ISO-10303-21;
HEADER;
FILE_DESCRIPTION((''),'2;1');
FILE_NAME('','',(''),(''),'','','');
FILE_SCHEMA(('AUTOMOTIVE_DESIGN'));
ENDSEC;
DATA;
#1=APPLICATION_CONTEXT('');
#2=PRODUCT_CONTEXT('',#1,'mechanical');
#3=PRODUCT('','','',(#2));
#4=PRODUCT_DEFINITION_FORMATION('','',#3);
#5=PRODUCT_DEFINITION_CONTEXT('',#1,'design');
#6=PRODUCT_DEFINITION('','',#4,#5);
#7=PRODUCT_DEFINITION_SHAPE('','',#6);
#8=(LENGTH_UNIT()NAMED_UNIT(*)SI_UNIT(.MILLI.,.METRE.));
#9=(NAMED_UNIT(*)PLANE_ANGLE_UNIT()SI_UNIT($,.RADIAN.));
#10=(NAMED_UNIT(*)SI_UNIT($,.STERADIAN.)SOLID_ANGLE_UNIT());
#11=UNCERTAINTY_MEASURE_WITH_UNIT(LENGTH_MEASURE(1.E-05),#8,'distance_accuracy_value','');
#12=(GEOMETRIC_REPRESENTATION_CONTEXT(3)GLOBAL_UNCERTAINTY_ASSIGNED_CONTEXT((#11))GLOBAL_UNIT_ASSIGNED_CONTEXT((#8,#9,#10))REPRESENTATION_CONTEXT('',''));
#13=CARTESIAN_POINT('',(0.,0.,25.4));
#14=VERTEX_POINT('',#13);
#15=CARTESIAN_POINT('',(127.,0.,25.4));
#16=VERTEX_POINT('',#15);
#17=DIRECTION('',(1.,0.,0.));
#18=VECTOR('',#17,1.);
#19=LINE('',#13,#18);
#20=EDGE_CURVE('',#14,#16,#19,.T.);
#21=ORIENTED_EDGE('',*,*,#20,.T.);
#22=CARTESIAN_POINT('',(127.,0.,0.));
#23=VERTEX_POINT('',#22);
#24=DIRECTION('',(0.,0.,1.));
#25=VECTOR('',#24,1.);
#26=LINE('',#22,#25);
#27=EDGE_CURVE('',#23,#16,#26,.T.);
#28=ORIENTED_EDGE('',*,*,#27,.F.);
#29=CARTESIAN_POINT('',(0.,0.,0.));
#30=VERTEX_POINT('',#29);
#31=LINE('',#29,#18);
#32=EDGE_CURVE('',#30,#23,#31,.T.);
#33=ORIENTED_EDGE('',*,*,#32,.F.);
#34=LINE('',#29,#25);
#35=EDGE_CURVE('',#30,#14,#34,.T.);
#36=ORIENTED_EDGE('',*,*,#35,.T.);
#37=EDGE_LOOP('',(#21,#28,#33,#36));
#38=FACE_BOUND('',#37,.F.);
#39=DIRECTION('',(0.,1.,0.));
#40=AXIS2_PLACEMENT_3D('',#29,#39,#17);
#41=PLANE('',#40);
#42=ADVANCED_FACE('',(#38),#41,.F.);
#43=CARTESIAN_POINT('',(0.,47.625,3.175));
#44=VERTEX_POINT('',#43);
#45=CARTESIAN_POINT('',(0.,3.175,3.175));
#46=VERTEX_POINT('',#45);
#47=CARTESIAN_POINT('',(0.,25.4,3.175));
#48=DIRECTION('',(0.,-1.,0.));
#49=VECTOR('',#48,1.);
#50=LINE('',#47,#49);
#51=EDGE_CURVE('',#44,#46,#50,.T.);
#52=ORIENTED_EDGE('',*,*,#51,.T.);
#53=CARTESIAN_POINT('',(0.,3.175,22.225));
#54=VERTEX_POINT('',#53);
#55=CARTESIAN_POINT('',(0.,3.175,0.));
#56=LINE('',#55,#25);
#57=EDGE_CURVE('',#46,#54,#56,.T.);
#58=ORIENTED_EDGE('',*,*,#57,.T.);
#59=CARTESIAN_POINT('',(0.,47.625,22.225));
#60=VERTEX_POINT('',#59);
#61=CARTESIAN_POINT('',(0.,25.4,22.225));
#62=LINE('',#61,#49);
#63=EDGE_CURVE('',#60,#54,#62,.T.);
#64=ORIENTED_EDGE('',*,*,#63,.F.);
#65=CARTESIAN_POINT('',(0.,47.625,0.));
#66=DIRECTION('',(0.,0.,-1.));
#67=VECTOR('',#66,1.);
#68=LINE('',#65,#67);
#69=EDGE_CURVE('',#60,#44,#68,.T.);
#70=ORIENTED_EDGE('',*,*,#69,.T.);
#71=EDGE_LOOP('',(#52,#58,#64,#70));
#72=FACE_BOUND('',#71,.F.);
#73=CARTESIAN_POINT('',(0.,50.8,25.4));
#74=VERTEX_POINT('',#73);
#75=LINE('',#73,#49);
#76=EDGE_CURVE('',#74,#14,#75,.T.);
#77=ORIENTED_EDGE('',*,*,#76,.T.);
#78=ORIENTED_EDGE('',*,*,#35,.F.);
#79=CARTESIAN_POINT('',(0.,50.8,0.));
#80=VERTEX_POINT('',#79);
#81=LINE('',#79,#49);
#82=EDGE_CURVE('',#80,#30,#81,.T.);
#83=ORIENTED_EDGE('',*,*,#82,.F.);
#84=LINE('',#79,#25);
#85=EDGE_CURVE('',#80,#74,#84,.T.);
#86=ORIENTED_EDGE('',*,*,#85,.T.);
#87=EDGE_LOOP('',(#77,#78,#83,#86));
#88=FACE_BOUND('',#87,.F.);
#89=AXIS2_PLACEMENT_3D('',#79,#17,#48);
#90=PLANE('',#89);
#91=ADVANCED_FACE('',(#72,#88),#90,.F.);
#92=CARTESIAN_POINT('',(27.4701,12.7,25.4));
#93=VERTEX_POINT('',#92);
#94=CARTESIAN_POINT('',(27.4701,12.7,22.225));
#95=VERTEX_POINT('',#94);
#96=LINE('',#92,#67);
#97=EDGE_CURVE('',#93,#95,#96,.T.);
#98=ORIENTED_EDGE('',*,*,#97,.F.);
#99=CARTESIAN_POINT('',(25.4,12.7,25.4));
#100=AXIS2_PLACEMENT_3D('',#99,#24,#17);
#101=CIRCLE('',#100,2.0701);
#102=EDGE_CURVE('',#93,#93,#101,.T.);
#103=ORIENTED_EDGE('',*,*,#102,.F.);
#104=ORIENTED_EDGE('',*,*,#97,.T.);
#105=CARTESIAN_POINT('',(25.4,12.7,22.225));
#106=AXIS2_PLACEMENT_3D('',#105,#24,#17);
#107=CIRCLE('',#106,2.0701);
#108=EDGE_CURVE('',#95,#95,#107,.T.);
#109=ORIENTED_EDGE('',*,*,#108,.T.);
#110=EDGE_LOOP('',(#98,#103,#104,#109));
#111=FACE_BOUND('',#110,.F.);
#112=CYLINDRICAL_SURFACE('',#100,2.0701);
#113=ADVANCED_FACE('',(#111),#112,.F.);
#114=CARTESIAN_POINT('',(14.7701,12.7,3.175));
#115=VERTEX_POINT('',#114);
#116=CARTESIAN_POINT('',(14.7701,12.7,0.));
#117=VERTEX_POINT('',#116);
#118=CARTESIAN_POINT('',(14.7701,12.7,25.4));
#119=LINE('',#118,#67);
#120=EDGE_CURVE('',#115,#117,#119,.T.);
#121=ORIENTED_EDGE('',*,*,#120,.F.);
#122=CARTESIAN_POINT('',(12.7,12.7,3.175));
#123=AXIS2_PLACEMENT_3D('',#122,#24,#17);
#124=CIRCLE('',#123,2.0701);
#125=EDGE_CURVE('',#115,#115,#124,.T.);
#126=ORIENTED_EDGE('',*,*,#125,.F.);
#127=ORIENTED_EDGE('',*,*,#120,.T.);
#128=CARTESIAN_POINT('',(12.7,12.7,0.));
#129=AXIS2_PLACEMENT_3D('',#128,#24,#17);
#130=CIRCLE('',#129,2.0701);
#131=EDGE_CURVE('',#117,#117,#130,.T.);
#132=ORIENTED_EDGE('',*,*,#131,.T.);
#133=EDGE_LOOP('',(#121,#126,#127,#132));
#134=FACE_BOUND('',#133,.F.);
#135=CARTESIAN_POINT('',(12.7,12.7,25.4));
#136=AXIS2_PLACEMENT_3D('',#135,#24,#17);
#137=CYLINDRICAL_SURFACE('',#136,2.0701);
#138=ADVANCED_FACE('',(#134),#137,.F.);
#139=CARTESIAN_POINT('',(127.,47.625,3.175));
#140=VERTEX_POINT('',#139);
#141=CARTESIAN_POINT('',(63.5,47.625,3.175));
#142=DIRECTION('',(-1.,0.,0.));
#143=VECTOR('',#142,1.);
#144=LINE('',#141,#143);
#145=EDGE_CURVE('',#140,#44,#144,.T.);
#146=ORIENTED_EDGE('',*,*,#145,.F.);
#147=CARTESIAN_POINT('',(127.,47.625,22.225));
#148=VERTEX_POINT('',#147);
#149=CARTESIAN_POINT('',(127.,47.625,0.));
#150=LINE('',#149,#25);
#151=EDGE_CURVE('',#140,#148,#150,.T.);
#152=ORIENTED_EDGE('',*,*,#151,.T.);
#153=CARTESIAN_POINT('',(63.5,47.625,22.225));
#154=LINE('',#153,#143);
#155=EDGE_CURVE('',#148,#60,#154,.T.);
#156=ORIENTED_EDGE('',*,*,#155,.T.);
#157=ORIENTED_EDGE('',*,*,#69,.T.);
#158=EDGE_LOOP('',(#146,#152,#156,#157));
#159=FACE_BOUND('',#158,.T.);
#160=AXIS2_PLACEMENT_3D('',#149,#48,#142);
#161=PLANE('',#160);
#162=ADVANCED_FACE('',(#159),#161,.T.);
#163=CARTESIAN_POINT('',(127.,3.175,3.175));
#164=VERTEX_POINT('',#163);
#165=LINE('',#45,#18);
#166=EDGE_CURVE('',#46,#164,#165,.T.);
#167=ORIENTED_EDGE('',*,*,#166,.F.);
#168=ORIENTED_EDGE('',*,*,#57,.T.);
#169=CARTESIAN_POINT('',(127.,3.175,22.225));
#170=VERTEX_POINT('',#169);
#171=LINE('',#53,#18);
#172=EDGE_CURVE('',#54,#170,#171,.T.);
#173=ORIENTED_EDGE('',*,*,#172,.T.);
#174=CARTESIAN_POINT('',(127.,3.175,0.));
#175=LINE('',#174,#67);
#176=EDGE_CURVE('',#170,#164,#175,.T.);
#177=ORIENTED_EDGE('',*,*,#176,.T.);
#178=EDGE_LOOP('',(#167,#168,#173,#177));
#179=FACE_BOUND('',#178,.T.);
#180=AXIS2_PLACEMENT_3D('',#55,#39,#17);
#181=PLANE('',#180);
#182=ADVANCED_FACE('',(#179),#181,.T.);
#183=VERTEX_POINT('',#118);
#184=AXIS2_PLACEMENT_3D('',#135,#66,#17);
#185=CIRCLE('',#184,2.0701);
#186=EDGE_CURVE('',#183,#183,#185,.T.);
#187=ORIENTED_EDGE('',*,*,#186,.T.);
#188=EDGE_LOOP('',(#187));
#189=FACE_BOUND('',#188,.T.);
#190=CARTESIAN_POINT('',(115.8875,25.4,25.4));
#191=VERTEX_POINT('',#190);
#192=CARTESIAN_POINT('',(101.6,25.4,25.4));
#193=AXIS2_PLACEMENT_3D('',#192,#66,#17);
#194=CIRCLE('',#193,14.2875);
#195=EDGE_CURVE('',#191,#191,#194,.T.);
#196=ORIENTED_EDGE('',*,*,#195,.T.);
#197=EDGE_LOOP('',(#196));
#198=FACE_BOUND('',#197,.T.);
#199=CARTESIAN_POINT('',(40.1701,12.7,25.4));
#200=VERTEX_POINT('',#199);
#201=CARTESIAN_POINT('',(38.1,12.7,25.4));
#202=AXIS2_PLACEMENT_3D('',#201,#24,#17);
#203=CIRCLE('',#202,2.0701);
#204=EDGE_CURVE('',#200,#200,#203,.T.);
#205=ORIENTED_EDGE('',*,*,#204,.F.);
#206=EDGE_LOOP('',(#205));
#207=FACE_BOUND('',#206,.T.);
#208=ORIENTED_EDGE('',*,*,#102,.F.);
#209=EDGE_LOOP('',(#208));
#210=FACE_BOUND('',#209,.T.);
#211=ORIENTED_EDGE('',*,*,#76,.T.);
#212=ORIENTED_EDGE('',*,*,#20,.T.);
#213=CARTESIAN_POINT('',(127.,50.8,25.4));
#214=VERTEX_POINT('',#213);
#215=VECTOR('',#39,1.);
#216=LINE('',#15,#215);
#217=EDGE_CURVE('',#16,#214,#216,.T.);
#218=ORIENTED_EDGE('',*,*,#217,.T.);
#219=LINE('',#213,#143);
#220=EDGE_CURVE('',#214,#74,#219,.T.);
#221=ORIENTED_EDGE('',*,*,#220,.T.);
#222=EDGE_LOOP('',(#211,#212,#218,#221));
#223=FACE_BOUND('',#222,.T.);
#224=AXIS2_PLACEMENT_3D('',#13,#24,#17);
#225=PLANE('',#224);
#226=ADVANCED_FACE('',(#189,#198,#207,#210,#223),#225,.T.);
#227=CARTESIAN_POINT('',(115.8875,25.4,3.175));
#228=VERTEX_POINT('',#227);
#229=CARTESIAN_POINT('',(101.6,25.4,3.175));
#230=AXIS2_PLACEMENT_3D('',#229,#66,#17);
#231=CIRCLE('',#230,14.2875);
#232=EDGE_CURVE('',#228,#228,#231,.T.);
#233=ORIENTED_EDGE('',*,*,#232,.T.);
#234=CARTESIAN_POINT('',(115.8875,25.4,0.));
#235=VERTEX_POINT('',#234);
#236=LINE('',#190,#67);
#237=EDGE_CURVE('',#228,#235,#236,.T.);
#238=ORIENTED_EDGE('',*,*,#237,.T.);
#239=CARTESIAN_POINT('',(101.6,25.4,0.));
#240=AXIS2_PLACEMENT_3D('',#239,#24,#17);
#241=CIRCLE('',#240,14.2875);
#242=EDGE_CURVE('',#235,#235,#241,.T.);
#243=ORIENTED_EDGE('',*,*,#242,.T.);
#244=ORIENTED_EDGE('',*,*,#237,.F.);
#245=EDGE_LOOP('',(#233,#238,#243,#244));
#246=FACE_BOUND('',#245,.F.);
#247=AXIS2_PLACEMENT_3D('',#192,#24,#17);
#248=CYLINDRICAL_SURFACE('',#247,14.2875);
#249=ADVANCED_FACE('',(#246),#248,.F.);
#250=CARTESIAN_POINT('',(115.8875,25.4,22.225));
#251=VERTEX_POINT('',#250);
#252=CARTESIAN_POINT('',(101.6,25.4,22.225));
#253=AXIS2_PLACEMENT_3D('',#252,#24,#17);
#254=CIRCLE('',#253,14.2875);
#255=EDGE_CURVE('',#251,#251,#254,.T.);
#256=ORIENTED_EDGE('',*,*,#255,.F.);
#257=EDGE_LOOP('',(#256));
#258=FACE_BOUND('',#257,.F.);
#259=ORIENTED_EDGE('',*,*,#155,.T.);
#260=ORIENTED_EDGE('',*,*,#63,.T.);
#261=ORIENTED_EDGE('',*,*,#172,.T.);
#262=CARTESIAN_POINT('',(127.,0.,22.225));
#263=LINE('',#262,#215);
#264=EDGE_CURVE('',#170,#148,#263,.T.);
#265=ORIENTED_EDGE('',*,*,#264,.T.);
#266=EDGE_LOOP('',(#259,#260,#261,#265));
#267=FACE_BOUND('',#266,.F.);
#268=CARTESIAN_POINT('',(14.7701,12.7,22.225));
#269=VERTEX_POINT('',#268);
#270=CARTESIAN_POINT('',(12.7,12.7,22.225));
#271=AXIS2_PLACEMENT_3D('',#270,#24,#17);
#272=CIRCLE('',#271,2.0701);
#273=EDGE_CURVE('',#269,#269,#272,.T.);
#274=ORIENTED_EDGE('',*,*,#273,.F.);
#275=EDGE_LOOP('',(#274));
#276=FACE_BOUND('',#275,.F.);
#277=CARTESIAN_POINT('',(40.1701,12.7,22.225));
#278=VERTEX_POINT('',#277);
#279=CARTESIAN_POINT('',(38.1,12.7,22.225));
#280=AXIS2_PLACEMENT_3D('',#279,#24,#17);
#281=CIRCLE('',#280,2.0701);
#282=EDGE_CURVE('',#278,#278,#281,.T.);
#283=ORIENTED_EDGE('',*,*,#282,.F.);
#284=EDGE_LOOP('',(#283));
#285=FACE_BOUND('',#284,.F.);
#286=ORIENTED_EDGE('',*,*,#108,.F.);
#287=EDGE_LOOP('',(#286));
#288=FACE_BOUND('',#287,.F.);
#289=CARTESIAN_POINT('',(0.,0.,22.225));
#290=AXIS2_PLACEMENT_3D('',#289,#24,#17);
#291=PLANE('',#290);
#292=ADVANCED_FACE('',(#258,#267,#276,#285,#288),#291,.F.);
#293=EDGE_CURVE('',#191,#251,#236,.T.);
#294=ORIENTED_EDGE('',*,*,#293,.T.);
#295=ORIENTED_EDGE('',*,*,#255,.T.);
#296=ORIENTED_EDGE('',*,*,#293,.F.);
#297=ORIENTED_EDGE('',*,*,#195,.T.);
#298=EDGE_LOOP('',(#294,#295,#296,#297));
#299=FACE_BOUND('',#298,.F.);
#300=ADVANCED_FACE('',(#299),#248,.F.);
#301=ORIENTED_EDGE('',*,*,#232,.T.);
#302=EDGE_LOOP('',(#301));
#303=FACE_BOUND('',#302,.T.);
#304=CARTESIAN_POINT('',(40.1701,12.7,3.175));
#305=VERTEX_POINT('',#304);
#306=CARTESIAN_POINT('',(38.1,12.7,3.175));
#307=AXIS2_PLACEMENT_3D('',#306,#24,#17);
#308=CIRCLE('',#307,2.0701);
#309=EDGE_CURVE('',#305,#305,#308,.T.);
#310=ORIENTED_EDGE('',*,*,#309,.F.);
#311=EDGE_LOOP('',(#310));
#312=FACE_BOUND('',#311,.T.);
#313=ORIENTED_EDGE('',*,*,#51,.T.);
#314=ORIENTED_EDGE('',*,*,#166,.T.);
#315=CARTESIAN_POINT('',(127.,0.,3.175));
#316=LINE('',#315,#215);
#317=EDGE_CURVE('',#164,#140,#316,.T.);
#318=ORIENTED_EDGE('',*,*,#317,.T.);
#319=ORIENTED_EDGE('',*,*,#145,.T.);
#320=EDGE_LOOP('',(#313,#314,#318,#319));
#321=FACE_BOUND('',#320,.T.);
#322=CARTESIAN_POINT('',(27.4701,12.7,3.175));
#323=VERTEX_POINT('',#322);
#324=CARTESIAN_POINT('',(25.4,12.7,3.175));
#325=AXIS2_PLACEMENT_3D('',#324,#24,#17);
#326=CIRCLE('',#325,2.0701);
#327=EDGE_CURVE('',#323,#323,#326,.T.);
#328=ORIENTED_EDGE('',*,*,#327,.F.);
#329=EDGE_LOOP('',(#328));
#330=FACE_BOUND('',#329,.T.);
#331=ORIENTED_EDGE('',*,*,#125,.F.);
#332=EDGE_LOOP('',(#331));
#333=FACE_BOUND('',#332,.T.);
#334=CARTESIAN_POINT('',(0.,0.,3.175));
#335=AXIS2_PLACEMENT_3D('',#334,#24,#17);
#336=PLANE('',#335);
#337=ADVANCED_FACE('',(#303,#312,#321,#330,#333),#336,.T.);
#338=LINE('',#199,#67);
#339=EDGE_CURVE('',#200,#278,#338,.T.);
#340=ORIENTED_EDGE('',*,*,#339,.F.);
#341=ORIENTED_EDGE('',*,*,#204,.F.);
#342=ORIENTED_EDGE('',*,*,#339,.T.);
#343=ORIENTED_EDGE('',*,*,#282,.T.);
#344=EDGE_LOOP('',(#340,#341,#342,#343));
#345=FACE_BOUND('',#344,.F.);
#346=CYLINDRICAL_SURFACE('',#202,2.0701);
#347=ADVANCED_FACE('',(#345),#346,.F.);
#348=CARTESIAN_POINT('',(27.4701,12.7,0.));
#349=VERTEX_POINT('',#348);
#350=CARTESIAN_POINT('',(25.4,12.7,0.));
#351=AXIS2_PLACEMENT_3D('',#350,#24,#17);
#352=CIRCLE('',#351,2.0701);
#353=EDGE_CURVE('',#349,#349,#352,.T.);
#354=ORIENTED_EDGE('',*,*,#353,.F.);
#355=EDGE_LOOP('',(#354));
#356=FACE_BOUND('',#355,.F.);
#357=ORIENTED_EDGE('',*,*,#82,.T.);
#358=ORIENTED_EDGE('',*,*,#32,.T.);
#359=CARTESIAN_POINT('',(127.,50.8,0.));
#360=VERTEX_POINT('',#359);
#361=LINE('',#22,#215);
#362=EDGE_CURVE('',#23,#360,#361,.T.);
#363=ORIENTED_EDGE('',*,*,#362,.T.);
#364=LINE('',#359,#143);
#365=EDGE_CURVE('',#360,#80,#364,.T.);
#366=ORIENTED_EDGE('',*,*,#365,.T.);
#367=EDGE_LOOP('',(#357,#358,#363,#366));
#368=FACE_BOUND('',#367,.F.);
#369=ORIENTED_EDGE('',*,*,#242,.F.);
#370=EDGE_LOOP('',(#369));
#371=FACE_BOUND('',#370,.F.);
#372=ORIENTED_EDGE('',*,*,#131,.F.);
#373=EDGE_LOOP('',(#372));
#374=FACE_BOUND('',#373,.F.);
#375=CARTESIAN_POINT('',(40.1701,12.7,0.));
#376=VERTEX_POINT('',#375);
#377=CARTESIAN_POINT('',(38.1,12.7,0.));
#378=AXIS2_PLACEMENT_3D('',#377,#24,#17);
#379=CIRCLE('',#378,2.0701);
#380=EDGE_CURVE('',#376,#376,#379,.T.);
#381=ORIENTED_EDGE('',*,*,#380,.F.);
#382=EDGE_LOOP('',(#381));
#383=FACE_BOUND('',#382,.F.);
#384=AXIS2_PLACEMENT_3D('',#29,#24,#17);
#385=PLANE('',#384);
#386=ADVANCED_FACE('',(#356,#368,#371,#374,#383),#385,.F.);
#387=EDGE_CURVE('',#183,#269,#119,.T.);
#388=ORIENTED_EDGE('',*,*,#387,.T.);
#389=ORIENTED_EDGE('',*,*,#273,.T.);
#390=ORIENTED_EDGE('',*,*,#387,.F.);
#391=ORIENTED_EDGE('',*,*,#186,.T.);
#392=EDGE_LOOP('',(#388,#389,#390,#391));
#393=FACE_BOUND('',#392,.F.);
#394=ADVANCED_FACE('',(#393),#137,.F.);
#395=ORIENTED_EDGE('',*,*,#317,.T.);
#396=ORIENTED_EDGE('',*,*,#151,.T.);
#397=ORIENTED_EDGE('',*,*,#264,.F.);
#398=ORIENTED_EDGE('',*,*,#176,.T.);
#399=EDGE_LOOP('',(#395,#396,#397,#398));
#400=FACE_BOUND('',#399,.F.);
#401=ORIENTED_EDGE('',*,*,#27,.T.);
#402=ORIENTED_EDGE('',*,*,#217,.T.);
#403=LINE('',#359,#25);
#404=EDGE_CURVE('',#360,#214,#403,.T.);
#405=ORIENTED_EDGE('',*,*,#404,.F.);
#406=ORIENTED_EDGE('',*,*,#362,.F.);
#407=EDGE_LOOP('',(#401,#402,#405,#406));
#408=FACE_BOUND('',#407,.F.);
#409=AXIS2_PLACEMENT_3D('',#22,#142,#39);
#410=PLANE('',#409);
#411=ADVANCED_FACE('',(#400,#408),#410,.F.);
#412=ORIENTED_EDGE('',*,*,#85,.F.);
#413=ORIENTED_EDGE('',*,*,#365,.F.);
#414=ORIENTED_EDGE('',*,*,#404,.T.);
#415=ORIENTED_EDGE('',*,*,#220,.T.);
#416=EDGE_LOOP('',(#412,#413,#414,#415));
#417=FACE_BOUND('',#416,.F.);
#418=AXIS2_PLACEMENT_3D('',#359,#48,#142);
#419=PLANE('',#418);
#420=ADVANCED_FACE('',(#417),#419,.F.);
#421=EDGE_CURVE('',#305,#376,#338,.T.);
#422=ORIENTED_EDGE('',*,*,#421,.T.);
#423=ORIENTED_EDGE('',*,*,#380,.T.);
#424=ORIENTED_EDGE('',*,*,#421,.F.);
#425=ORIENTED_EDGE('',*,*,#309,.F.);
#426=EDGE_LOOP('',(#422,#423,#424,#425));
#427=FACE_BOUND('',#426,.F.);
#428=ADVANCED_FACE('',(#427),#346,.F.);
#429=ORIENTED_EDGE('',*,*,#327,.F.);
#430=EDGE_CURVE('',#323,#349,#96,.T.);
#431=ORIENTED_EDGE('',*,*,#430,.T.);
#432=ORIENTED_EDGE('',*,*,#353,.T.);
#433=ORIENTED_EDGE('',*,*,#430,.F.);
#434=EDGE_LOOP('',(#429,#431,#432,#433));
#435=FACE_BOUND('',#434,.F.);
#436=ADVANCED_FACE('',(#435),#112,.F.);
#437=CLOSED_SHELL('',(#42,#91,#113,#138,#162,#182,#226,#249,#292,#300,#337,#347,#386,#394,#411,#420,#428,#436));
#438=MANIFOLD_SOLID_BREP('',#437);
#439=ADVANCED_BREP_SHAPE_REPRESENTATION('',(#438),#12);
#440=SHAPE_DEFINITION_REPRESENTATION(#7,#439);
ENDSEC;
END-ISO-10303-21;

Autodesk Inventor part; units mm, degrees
ref_plane "YZ Plane" through (0, 0, 0) normal (1, 0, 0) x (0, 1, 0)
ref_plane "XZ Plane" through (0, 0, 0) normal (0, 1, 0) x (-1, 0, 0)
ref_plane "XY Plane" through (0, 0, 0) normal (0, 0, 1) x (1, 0, 0)
sketch "Sketch1" plane through (0, 0, 0) normal (0, 0, 1) x (1, 0, 0)
  line L0 (0, 0) -> (127, 0)
  line L1 (127, 0) -> (127, 50.8)
  line L2 (127, 50.8) -> (0, 50.8)
  line L3 (0, 50.8) -> (0, 0)
  dimension "d0" = 50.8
  dimension "d1" = 127
extrude "Extrusion1" add sketch "Sketch1" along normal blind 25.4
shell "Shell1" thickness 3.175 removed faces 2 at (0, 33.8667, 16.9333) at (127, 16.9333, 8.4667)
sketch "Sketch2" plane through (0, 0, 25.4) normal (0, 0, 1) x (1, 0, 0)
  line L0 (0, 3.175) -> (0, 47.625) projected
  line L1 (0, 25.4) -> (101.6, 25.4)
  circle A0 centre (101.6, 25.4) radius 14.2875
  line L2 (127, 0) -> (127, 50.8) projected
  point P0 (0, 0)
  dimension "d5" = 28.575
  dimension "d9" = 25.4
extrude "Extrusion2" cut sketch "Sketch2" against normal through all
sketch "Sketch3" plane through (0, 0, 25.4) normal (0, 0, 1) x (1, 0, 0)
  line L0 (0, 50.8) -> (0, 12.7)
  line L1 (0, 3.175) -> (0, 47.625) projected
  line L2 (0, 12.7) -> (12.7, 12.7)
  circle A0 centre (12.7, 12.7) radius 2.0701
  circle A1 centre (25.4, 12.7) radius 2.0701
  circle A2 centre (38.1, 12.7) radius 2.0701
  point P0 (0, 0)
  dimension "d12" = 12.7
  dimension "d13" = 4.1402
  dimension "d16" = 12.7
  dimension "d23" = 12.7
extrude "Extrusion3" cut sketch "Sketch3" against normal through all
properties part number "Intake mount"
